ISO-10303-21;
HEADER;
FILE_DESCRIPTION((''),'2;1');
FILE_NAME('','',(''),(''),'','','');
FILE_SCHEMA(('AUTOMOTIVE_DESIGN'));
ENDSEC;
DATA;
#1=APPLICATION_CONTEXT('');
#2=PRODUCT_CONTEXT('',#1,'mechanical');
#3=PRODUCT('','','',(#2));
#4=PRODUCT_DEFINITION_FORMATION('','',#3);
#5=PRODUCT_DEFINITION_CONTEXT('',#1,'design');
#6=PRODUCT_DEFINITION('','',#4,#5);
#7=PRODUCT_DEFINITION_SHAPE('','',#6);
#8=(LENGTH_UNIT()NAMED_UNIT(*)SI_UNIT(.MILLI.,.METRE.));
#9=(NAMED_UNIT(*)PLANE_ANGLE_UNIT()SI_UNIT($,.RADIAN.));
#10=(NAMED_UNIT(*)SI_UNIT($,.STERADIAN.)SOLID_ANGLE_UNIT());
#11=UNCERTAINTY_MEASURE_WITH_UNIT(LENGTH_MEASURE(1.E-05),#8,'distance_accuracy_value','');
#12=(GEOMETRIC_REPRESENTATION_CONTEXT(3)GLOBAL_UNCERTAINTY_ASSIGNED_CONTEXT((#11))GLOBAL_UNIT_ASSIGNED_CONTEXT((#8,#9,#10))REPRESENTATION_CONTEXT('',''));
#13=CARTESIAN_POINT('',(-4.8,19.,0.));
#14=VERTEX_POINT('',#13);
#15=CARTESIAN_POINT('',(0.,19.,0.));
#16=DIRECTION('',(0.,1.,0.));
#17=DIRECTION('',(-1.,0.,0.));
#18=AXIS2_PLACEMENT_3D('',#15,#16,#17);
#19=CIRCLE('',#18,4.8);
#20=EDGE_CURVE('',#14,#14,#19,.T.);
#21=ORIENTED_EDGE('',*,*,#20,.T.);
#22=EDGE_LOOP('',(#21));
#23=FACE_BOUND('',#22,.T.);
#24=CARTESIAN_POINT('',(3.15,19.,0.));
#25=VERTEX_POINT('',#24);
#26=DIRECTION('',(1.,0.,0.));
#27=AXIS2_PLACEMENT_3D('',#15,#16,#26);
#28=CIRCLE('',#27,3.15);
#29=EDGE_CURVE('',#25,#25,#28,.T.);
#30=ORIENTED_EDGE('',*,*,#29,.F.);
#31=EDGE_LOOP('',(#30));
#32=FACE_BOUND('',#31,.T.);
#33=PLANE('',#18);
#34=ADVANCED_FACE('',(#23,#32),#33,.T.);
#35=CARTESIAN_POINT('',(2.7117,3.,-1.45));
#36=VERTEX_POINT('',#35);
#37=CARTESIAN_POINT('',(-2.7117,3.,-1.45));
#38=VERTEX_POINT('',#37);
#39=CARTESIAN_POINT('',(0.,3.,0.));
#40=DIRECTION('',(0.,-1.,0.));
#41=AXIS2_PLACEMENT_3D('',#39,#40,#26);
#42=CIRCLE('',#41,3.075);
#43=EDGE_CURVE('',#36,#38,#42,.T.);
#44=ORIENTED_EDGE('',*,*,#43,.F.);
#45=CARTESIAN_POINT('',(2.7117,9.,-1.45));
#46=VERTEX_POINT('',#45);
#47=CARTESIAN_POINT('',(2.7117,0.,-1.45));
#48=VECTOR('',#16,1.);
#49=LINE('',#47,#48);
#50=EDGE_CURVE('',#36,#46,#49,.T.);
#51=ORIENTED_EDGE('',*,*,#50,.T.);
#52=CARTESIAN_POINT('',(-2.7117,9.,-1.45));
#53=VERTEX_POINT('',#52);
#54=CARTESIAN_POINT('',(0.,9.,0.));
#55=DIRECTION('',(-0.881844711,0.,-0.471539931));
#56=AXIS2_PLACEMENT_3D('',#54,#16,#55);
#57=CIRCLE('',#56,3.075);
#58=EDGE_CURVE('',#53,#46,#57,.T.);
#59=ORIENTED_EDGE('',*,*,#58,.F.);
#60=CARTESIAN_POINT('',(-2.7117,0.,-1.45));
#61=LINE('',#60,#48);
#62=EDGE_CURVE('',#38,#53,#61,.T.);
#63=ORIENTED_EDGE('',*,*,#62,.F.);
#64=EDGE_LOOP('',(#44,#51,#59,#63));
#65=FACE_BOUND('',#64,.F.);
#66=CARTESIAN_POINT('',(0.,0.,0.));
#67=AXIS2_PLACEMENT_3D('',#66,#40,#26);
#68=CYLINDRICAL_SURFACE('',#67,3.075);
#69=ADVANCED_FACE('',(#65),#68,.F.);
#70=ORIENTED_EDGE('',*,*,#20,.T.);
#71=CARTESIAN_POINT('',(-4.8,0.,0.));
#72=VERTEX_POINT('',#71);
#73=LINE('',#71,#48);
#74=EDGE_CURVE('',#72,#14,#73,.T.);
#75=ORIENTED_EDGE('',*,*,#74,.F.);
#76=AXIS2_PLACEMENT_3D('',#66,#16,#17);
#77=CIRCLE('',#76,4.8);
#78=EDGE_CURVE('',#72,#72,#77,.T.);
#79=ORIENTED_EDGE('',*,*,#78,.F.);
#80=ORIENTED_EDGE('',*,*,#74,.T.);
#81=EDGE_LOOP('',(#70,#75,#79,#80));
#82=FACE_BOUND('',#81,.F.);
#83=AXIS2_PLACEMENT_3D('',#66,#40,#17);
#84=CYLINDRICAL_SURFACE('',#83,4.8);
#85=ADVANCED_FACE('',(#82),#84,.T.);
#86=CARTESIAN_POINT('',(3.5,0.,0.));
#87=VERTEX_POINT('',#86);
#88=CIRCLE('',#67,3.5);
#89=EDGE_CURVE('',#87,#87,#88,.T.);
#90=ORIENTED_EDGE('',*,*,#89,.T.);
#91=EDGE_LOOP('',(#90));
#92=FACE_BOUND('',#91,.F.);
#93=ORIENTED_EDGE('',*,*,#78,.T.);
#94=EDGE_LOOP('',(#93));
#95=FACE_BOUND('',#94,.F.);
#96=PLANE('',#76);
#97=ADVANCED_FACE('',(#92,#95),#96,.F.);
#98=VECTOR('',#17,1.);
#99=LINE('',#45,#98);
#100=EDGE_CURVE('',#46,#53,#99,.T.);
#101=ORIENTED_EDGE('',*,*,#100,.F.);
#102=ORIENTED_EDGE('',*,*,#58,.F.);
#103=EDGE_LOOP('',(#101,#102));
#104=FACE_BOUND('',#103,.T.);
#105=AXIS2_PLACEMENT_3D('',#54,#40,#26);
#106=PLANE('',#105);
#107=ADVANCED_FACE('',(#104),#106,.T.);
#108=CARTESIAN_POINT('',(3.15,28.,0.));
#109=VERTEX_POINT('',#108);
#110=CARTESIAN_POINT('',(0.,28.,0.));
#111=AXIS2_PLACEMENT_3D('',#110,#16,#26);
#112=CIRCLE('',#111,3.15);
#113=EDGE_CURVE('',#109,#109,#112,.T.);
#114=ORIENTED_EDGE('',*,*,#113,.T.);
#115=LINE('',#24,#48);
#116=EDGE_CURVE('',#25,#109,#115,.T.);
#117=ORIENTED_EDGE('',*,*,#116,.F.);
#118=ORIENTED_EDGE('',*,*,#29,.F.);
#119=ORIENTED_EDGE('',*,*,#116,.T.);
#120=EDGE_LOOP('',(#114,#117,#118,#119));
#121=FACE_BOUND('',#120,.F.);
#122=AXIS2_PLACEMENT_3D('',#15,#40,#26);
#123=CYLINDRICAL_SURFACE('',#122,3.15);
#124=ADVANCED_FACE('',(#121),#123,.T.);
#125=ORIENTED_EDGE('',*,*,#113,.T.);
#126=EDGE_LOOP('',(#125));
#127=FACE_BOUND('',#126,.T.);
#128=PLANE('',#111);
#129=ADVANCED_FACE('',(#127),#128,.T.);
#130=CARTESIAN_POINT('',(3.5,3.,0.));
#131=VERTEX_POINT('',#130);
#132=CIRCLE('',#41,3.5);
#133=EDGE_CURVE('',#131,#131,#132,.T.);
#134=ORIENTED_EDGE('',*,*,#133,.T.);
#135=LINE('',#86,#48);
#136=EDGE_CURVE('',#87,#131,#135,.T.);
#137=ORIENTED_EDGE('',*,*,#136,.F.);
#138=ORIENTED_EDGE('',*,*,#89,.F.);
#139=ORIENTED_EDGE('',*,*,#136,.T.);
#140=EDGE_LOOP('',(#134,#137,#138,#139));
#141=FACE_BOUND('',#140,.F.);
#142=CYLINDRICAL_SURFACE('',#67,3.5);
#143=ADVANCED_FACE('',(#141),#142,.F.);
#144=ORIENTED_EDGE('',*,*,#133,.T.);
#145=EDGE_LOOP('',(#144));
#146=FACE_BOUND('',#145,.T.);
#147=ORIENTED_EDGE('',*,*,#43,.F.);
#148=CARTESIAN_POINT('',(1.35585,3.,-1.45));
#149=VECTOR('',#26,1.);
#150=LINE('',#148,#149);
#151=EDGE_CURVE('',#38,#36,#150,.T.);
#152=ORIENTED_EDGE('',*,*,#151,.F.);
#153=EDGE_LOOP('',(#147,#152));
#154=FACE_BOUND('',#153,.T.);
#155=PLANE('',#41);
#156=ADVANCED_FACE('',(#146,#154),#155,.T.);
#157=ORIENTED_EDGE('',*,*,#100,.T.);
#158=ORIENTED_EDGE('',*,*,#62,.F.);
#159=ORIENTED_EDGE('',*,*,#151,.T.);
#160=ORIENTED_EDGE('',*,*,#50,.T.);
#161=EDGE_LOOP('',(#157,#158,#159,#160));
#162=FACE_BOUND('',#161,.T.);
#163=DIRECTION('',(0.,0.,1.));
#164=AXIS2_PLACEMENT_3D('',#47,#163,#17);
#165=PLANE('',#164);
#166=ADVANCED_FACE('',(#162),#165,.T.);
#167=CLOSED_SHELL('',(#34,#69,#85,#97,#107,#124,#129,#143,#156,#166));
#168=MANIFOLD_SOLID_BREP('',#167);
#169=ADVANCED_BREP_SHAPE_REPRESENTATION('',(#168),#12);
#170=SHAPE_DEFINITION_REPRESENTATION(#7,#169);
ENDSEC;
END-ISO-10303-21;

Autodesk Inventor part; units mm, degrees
ref_plane "YZ Plane" through (0, 0, 0) normal (1, 0, 0) x (0, 1, 0)
ref_plane "XZ Plane" through (0, 0, 0) normal (0, 1, 0) x (-1, 0, 0)
ref_plane "XY Plane" through (0, 0, 0) normal (0, 0, 1) x (1, 0, 0)
sketch "Sketch1" plane through (0, 0, 0) normal (0, 1, 0) x (-1, 0, 0)
  point P0 (0, 0)
sketch "Sketch2" plane through (0, 0, 0) normal (0, 1, 0) x (-1, 0, 0)
  circle A0 centre (0, 0) radius 4.8
  dimension "d0" = 9.6
extrude "Extrusion1" add sketch "Sketch2" along normal blind 19
sketch "Sketch3" plane through (0, 19, 0) normal (0, 1, 0) x (1, 0, 0)
  circle A0 centre (0, 0) radius 3
  line L0 (-2.6263, 1.45) -> (2.6263, 1.45)
  circle A1 centre (0, 0) radius 3.15
  point P0 (0, 1.45)
  dimension "d3" = 6
  dimension "d4" = 1.45
  dimension "d13" = 6.3
sketch "shaft cutout" plane through (0, 0, 0) normal (0, -1, 0) x (1, 0, 0)
  circle A0 centre (0, 0) radius 3.075
  line L0 (2.7117, -1.45) -> (-2.7117, -1.45)
  point P0 (0, -1.45)
  point P1 (0, -1.45)
  dimension "d7" = 6.15
sketch "top spacer" plane through (0, 0, 0) normal (0, -1, 0) x (1, 0, 0)
  circle A0 centre (0, 0) radius 3.5
  dimension "d10" = 7
extrude "Extrusion6" cut sketch "shaft cutout" against normal blind 9 contours A0 L0 picked at (0.9722, -0.3362)
extrude "Extrusion7" cut sketch "top spacer" against normal blind 3
extrude "Extrusion8" add sketch "Sketch3" along normal blind 9 contours A0 L0 | L0 A0 | A1
properties part number "v6 Knob extender long_3DPrint"
